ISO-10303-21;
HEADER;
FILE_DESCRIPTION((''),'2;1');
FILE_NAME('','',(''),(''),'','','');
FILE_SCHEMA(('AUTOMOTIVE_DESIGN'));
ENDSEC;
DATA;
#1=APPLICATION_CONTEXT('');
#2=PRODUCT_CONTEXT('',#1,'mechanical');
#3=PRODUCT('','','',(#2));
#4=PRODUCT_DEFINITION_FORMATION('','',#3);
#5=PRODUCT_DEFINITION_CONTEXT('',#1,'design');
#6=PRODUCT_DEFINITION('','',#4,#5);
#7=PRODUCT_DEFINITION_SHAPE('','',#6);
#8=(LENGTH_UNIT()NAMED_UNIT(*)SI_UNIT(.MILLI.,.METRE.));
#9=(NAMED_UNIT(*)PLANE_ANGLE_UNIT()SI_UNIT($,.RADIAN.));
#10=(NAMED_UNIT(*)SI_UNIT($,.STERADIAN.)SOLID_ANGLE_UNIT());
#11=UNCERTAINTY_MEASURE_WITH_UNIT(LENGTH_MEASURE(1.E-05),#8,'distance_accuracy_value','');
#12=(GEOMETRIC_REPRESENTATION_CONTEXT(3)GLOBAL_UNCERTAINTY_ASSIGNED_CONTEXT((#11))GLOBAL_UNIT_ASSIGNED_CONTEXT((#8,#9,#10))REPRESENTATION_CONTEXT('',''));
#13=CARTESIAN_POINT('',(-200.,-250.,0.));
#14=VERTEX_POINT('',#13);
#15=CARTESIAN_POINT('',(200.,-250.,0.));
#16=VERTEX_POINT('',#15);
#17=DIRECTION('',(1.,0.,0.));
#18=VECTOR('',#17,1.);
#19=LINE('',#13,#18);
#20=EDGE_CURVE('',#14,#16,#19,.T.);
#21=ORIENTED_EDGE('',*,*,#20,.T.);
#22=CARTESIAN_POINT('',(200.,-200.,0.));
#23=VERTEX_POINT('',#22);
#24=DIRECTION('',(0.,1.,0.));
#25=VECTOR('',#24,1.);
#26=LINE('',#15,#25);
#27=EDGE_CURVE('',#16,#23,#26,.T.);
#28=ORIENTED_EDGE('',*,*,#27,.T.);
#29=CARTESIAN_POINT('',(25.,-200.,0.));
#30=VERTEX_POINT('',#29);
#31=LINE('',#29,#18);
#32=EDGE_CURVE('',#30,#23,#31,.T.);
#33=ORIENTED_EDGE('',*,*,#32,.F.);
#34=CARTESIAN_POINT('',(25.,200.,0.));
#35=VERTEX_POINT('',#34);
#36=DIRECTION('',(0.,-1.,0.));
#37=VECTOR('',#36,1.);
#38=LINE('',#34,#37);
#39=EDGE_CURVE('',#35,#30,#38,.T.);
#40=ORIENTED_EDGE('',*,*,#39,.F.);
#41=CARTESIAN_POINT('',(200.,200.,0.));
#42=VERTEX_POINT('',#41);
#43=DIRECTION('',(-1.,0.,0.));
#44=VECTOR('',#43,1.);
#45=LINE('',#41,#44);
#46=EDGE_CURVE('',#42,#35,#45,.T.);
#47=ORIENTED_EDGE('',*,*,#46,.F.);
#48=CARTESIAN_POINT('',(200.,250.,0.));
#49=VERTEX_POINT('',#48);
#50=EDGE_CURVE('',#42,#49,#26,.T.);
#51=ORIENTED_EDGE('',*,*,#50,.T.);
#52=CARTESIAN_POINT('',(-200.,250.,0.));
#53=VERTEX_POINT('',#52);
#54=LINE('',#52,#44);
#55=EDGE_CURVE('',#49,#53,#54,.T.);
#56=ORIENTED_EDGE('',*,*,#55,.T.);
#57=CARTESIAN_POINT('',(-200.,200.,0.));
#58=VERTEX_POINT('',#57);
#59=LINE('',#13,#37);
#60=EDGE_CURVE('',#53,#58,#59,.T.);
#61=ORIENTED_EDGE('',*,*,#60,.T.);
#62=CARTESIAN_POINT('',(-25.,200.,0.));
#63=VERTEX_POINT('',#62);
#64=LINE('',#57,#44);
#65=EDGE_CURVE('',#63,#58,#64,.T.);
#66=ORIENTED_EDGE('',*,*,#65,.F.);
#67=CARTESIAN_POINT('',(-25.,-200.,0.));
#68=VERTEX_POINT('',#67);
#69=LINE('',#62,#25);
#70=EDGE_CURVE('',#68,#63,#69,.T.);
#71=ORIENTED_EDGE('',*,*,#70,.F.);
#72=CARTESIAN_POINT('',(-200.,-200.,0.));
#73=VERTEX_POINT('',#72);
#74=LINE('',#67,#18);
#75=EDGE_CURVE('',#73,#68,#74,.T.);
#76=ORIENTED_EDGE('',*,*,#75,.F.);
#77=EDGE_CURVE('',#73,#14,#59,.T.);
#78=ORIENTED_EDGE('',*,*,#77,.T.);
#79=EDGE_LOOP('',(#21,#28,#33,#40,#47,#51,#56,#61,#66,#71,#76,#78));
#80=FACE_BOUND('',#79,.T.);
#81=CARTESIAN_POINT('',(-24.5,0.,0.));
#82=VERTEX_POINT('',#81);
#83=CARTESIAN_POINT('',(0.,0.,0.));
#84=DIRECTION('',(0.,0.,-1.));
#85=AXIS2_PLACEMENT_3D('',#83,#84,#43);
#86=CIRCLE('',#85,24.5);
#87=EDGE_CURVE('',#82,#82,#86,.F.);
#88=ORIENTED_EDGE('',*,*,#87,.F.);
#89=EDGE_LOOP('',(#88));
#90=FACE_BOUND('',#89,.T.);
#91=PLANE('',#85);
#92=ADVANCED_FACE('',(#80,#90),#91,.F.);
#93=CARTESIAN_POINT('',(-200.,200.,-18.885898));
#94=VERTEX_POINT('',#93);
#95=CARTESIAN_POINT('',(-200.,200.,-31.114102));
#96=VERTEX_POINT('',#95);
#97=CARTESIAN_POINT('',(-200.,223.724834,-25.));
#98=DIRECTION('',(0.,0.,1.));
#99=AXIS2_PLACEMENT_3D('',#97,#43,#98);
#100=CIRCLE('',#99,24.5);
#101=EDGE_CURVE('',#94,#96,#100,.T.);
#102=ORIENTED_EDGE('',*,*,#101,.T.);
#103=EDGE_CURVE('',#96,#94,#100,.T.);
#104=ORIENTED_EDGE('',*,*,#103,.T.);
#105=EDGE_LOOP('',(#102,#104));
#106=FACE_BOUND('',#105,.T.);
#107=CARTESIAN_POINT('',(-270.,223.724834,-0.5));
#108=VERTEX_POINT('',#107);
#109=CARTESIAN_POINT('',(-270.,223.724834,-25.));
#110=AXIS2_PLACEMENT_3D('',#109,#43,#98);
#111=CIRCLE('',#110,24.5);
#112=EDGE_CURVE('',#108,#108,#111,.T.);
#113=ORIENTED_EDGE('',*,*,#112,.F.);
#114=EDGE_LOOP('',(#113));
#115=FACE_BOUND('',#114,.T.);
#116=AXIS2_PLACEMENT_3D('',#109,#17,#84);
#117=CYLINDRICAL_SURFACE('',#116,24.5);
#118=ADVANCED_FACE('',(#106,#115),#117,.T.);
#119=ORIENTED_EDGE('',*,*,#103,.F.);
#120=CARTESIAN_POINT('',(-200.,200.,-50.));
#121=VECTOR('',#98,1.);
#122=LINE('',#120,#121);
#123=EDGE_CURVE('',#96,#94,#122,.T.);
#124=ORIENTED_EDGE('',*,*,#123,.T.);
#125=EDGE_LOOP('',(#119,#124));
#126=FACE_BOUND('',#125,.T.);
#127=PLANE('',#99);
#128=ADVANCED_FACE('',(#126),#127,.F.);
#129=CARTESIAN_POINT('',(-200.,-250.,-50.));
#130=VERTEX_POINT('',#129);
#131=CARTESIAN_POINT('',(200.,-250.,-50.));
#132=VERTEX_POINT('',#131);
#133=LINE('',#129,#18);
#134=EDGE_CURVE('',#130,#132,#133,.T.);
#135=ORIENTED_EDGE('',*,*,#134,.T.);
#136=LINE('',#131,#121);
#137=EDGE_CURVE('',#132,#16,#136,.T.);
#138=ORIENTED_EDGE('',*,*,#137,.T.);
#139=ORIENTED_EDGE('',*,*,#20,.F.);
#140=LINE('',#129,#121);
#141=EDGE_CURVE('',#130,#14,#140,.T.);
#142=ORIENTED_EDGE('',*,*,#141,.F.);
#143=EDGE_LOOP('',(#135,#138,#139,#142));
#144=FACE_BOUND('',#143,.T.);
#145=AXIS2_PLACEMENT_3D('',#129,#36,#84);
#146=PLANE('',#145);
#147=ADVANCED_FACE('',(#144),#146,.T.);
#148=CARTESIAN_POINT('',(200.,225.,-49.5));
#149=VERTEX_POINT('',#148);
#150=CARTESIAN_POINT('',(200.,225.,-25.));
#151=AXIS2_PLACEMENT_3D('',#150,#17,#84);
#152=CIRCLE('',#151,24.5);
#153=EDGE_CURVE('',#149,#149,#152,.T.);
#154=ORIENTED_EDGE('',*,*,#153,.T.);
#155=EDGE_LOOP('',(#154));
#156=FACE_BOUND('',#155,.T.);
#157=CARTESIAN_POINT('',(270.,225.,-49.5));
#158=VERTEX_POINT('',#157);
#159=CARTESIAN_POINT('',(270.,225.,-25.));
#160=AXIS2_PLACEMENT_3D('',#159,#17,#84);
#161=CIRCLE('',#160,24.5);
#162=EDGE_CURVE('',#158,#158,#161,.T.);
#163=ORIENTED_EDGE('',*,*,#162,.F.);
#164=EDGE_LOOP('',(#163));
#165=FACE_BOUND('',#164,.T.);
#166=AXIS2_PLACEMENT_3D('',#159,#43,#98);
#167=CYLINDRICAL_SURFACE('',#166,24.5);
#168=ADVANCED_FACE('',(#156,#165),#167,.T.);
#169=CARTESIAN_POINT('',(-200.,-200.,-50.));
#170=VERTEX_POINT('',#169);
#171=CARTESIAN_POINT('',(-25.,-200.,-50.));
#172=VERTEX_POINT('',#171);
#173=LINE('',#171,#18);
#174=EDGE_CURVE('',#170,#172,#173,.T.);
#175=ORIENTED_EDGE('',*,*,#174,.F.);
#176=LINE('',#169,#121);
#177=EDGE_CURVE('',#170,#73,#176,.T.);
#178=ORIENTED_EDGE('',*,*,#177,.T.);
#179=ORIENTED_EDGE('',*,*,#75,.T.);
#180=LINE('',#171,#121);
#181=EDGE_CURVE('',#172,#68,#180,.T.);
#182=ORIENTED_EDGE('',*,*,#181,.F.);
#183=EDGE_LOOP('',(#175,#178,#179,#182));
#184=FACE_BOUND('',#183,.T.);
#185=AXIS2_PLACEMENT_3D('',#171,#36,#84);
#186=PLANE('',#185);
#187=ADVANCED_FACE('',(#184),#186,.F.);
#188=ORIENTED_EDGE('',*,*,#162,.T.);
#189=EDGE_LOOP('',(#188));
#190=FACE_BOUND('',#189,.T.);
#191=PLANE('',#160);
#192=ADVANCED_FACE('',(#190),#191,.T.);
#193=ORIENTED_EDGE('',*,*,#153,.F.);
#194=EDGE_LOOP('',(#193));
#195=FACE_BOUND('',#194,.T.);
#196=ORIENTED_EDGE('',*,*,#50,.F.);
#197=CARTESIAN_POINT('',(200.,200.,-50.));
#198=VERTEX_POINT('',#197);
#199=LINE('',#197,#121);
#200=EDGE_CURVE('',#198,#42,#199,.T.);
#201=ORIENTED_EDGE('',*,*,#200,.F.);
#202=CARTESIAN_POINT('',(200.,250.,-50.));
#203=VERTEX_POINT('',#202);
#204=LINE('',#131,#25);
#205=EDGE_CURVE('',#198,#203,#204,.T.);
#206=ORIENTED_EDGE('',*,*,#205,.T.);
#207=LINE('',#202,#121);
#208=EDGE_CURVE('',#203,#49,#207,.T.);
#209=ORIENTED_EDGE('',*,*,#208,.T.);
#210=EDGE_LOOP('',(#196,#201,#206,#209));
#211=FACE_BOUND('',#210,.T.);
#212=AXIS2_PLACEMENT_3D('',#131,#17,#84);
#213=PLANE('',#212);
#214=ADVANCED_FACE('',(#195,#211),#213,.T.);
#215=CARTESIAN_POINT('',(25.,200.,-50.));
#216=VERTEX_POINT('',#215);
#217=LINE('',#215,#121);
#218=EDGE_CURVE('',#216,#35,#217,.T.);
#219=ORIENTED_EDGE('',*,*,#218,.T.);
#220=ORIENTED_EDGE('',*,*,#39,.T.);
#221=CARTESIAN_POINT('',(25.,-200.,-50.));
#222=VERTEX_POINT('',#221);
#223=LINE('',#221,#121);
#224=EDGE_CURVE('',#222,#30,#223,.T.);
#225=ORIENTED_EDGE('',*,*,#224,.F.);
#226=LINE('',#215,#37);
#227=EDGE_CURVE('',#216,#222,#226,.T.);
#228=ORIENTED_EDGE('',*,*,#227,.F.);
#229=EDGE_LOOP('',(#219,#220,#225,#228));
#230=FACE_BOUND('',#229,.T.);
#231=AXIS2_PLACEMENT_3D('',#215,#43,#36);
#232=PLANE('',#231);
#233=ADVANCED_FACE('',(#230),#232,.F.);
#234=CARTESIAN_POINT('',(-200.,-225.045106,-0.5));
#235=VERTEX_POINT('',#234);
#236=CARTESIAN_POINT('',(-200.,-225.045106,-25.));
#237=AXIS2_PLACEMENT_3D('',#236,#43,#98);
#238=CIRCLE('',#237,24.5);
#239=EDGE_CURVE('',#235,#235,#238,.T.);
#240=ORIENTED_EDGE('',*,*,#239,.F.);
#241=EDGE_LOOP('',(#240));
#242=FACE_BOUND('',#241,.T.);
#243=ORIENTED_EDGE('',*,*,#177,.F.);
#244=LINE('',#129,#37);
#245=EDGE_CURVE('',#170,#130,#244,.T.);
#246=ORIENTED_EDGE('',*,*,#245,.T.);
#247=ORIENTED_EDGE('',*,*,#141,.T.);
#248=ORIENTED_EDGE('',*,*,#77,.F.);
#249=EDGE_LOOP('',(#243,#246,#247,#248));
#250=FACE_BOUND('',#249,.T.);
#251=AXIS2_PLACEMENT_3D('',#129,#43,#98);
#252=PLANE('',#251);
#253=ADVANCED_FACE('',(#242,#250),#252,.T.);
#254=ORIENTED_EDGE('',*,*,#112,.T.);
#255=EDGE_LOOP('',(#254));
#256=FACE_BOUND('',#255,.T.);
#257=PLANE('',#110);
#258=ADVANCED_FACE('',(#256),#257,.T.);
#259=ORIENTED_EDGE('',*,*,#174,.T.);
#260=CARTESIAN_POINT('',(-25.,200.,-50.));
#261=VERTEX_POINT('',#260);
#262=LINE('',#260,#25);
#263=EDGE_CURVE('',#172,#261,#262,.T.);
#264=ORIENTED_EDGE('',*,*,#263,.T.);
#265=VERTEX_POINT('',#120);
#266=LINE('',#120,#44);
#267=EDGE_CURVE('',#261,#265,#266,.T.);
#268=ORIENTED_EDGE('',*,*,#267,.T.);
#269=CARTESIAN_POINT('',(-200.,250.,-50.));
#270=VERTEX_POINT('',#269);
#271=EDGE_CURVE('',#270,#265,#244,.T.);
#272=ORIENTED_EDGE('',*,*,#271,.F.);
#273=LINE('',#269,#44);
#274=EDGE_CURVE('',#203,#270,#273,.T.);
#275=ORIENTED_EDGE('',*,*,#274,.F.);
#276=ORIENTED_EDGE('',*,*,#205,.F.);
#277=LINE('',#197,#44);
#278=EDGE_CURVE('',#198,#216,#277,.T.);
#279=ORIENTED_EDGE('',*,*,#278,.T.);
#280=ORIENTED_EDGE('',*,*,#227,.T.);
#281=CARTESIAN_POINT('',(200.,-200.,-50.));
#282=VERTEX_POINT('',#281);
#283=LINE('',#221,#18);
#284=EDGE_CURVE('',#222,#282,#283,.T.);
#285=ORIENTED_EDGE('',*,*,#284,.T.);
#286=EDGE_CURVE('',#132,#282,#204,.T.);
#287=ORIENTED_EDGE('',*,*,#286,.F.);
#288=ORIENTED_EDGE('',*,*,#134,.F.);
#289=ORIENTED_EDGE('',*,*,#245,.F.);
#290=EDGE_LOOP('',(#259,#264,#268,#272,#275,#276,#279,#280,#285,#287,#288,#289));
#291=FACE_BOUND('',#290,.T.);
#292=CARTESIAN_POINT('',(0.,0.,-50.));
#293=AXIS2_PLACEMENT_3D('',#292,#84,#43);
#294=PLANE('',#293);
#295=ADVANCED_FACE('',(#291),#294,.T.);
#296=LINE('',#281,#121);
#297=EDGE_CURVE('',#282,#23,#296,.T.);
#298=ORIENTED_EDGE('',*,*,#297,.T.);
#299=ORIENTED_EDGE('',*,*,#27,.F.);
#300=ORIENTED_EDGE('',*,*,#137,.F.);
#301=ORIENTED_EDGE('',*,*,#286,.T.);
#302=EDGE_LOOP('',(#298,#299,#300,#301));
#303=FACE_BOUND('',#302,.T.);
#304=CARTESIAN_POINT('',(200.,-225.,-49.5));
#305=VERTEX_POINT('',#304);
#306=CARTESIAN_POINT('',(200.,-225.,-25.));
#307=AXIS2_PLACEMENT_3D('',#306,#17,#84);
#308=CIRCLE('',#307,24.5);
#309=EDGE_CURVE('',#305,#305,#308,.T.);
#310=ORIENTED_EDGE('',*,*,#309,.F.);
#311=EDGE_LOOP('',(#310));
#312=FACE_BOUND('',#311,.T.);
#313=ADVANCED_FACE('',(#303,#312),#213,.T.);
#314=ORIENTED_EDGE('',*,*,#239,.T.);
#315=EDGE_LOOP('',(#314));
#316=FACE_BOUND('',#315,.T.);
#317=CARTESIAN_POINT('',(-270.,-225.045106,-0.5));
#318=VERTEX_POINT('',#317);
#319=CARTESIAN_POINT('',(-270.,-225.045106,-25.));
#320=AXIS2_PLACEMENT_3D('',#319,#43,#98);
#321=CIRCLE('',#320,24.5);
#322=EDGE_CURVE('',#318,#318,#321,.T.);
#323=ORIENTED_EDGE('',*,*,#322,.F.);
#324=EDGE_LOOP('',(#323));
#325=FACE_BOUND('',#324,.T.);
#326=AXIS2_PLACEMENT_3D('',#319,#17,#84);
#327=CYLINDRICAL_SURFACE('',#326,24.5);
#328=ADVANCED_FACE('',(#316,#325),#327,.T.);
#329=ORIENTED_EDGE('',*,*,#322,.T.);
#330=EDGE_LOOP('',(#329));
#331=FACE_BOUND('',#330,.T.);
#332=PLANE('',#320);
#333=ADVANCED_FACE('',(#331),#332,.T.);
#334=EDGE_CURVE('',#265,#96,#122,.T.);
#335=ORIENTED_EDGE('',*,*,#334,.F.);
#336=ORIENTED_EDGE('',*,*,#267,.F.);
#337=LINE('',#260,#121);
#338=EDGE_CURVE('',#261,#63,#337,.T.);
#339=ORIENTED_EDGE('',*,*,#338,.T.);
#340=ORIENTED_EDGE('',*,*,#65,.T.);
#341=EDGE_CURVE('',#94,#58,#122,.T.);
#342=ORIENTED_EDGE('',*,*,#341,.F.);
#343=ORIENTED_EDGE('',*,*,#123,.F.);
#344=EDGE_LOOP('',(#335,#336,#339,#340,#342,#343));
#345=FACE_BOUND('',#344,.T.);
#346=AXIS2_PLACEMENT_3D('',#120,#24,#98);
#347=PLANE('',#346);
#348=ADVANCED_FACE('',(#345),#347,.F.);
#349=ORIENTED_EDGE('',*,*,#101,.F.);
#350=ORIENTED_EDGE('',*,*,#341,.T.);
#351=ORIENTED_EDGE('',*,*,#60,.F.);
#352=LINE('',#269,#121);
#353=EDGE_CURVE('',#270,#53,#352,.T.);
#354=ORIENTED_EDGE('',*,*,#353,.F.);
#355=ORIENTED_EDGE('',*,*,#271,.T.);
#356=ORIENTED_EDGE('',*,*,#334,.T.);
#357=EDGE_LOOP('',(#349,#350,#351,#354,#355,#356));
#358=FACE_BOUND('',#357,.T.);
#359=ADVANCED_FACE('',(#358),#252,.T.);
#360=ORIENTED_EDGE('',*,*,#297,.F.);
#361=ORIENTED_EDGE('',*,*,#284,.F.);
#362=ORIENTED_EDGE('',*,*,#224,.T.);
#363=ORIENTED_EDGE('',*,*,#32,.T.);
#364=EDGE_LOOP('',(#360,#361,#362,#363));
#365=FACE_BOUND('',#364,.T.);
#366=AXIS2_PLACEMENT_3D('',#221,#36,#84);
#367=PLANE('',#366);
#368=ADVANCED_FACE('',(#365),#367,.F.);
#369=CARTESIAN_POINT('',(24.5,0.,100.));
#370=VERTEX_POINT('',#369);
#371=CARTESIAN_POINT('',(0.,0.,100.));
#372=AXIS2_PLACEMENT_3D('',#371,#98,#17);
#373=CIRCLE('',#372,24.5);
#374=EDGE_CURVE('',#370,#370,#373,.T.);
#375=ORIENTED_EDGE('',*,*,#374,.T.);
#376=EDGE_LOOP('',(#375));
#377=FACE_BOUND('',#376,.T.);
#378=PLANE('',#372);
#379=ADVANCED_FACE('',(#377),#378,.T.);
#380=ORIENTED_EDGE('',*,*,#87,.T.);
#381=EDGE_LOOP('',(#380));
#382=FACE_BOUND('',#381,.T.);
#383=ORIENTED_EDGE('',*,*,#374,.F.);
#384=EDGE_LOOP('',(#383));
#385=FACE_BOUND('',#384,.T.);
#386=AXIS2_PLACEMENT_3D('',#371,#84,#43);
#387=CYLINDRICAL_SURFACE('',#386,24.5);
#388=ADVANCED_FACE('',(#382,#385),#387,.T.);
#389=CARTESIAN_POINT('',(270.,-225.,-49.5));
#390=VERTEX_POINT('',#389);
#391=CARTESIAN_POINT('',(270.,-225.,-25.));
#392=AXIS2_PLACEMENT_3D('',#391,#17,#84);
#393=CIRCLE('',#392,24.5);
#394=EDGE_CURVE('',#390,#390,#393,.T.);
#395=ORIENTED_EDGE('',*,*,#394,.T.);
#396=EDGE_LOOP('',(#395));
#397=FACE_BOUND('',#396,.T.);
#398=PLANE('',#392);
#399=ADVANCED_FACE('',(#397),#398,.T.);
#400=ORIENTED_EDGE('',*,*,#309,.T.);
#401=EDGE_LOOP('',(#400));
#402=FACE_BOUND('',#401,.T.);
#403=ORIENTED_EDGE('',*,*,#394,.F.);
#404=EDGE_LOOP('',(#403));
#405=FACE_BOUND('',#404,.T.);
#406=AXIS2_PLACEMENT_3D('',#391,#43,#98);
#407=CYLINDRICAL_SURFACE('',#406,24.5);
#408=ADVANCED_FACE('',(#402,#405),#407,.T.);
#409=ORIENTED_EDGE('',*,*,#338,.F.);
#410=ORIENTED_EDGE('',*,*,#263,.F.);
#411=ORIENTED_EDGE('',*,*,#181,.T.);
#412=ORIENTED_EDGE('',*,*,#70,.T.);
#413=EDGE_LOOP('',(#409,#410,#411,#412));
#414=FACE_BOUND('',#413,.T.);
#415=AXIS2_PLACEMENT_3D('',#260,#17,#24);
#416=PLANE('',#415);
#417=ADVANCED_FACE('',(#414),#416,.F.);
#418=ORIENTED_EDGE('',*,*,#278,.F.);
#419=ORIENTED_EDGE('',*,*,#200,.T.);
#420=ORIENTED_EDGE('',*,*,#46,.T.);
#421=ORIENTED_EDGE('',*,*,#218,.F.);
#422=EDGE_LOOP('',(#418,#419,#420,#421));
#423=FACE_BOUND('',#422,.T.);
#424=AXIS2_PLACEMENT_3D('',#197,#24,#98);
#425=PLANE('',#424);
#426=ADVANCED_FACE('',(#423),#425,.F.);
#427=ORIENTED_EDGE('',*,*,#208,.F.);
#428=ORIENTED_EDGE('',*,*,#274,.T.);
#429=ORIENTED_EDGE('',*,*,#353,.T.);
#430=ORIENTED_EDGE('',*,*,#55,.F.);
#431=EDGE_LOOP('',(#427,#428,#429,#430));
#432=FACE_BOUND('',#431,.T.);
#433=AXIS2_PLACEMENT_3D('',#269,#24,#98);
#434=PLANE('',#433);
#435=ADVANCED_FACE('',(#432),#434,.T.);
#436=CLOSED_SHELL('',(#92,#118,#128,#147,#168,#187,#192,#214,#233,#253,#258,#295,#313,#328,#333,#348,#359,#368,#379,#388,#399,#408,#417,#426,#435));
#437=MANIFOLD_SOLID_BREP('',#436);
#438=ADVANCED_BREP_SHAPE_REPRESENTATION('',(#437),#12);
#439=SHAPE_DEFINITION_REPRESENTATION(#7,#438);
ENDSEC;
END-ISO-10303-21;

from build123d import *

# Parameters (mm, degrees)
CROQUIS2_W               = 400
CROQUIS2_H               = 500
SALIENTE_EXTRUIR3_DEPTH  = 50
CROQUIS7_W               = 175
CROQUIS7_H               = 400
CORTAR_EXTRUIR2_DEPTH    = 50
CROQUIS9_R               = 24.5
SALIENTE_EXTRUIR5_DEPTH  = 70
CROQUIS10_R              = 24.5
SALIENTE_EXTRUIR6_DEPTH  = 70
CROQUIS19_R              = 24.5
SALIENTE_EXTRUIR10_DEPTH = 70
CROQUIS20_R              = 24.5
SALIENTE_EXTRUIR11_DEPTH = 70
CROQUIS12_R              = 24.5
SALIENTE_EXTRUIR12_DEPTH = 100


with BuildPart() as part:
    # Croquis2 → Saliente-Extruir3 (new body)
    with BuildSketch(Plane.XY):
        Rectangle(CROQUIS2_W, CROQUIS2_H)
    extrude(amount=-SALIENTE_EXTRUIR3_DEPTH)

    # Croquis7 → Cortar-Extruir2 (cut)
    with BuildSketch(Plane.XY):
        with Locations((-112.5, 0)):
            Rectangle(CROQUIS7_W, CROQUIS7_H)
        with Locations((112.5, 0)):
            Rectangle(CROQUIS7_W, CROQUIS7_H)
    extrude(amount=-CORTAR_EXTRUIR2_DEPTH, mode=Mode.SUBTRACT)

    # Croquis9 → Saliente-Extruir5 (add)
    with BuildSketch(Plane.ZY.offset(200)):
        with Locations((-25, -225.045105614)):
            Circle(CROQUIS9_R)
    extrude(amount=SALIENTE_EXTRUIR5_DEPTH)

    # Croquis10 → Saliente-Extruir6 (add)
    with BuildSketch(Plane.ZY.offset(200)):
        with Locations(Location((-25, 223.724834231, 0), (0, 0, 255.54880869))):
            Circle(CROQUIS10_R)
    extrude(amount=SALIENTE_EXTRUIR6_DEPTH)

    # Croquis19 → Saliente-Extruir10 (add)
    with BuildSketch(Plane(origin=(200, 0, 0), x_dir=(0, 0, -1), z_dir=(1, 0, 0))):
        with Locations((25, -225)):
            Circle(CROQUIS19_R)
    extrude(amount=SALIENTE_EXTRUIR10_DEPTH)

    # Croquis20 → Saliente-Extruir11 (add)
    with BuildSketch(Plane(origin=(200, 0, 0), x_dir=(0, 0, -1), z_dir=(1, 0, 0))):
        with Locations((25, 225)):
            Circle(CROQUIS20_R)
    extrude(amount=SALIENTE_EXTRUIR11_DEPTH)

    # Croquis12 → Saliente-Extruir12 (add)
    with BuildSketch(Plane.XY):
        with Locations(Location((0, 0, 0), (0, 0, 180))):
            Circle(CROQUIS12_R)
    extrude(amount=SALIENTE_EXTRUIR12_DEPTH)


solid = part.part
